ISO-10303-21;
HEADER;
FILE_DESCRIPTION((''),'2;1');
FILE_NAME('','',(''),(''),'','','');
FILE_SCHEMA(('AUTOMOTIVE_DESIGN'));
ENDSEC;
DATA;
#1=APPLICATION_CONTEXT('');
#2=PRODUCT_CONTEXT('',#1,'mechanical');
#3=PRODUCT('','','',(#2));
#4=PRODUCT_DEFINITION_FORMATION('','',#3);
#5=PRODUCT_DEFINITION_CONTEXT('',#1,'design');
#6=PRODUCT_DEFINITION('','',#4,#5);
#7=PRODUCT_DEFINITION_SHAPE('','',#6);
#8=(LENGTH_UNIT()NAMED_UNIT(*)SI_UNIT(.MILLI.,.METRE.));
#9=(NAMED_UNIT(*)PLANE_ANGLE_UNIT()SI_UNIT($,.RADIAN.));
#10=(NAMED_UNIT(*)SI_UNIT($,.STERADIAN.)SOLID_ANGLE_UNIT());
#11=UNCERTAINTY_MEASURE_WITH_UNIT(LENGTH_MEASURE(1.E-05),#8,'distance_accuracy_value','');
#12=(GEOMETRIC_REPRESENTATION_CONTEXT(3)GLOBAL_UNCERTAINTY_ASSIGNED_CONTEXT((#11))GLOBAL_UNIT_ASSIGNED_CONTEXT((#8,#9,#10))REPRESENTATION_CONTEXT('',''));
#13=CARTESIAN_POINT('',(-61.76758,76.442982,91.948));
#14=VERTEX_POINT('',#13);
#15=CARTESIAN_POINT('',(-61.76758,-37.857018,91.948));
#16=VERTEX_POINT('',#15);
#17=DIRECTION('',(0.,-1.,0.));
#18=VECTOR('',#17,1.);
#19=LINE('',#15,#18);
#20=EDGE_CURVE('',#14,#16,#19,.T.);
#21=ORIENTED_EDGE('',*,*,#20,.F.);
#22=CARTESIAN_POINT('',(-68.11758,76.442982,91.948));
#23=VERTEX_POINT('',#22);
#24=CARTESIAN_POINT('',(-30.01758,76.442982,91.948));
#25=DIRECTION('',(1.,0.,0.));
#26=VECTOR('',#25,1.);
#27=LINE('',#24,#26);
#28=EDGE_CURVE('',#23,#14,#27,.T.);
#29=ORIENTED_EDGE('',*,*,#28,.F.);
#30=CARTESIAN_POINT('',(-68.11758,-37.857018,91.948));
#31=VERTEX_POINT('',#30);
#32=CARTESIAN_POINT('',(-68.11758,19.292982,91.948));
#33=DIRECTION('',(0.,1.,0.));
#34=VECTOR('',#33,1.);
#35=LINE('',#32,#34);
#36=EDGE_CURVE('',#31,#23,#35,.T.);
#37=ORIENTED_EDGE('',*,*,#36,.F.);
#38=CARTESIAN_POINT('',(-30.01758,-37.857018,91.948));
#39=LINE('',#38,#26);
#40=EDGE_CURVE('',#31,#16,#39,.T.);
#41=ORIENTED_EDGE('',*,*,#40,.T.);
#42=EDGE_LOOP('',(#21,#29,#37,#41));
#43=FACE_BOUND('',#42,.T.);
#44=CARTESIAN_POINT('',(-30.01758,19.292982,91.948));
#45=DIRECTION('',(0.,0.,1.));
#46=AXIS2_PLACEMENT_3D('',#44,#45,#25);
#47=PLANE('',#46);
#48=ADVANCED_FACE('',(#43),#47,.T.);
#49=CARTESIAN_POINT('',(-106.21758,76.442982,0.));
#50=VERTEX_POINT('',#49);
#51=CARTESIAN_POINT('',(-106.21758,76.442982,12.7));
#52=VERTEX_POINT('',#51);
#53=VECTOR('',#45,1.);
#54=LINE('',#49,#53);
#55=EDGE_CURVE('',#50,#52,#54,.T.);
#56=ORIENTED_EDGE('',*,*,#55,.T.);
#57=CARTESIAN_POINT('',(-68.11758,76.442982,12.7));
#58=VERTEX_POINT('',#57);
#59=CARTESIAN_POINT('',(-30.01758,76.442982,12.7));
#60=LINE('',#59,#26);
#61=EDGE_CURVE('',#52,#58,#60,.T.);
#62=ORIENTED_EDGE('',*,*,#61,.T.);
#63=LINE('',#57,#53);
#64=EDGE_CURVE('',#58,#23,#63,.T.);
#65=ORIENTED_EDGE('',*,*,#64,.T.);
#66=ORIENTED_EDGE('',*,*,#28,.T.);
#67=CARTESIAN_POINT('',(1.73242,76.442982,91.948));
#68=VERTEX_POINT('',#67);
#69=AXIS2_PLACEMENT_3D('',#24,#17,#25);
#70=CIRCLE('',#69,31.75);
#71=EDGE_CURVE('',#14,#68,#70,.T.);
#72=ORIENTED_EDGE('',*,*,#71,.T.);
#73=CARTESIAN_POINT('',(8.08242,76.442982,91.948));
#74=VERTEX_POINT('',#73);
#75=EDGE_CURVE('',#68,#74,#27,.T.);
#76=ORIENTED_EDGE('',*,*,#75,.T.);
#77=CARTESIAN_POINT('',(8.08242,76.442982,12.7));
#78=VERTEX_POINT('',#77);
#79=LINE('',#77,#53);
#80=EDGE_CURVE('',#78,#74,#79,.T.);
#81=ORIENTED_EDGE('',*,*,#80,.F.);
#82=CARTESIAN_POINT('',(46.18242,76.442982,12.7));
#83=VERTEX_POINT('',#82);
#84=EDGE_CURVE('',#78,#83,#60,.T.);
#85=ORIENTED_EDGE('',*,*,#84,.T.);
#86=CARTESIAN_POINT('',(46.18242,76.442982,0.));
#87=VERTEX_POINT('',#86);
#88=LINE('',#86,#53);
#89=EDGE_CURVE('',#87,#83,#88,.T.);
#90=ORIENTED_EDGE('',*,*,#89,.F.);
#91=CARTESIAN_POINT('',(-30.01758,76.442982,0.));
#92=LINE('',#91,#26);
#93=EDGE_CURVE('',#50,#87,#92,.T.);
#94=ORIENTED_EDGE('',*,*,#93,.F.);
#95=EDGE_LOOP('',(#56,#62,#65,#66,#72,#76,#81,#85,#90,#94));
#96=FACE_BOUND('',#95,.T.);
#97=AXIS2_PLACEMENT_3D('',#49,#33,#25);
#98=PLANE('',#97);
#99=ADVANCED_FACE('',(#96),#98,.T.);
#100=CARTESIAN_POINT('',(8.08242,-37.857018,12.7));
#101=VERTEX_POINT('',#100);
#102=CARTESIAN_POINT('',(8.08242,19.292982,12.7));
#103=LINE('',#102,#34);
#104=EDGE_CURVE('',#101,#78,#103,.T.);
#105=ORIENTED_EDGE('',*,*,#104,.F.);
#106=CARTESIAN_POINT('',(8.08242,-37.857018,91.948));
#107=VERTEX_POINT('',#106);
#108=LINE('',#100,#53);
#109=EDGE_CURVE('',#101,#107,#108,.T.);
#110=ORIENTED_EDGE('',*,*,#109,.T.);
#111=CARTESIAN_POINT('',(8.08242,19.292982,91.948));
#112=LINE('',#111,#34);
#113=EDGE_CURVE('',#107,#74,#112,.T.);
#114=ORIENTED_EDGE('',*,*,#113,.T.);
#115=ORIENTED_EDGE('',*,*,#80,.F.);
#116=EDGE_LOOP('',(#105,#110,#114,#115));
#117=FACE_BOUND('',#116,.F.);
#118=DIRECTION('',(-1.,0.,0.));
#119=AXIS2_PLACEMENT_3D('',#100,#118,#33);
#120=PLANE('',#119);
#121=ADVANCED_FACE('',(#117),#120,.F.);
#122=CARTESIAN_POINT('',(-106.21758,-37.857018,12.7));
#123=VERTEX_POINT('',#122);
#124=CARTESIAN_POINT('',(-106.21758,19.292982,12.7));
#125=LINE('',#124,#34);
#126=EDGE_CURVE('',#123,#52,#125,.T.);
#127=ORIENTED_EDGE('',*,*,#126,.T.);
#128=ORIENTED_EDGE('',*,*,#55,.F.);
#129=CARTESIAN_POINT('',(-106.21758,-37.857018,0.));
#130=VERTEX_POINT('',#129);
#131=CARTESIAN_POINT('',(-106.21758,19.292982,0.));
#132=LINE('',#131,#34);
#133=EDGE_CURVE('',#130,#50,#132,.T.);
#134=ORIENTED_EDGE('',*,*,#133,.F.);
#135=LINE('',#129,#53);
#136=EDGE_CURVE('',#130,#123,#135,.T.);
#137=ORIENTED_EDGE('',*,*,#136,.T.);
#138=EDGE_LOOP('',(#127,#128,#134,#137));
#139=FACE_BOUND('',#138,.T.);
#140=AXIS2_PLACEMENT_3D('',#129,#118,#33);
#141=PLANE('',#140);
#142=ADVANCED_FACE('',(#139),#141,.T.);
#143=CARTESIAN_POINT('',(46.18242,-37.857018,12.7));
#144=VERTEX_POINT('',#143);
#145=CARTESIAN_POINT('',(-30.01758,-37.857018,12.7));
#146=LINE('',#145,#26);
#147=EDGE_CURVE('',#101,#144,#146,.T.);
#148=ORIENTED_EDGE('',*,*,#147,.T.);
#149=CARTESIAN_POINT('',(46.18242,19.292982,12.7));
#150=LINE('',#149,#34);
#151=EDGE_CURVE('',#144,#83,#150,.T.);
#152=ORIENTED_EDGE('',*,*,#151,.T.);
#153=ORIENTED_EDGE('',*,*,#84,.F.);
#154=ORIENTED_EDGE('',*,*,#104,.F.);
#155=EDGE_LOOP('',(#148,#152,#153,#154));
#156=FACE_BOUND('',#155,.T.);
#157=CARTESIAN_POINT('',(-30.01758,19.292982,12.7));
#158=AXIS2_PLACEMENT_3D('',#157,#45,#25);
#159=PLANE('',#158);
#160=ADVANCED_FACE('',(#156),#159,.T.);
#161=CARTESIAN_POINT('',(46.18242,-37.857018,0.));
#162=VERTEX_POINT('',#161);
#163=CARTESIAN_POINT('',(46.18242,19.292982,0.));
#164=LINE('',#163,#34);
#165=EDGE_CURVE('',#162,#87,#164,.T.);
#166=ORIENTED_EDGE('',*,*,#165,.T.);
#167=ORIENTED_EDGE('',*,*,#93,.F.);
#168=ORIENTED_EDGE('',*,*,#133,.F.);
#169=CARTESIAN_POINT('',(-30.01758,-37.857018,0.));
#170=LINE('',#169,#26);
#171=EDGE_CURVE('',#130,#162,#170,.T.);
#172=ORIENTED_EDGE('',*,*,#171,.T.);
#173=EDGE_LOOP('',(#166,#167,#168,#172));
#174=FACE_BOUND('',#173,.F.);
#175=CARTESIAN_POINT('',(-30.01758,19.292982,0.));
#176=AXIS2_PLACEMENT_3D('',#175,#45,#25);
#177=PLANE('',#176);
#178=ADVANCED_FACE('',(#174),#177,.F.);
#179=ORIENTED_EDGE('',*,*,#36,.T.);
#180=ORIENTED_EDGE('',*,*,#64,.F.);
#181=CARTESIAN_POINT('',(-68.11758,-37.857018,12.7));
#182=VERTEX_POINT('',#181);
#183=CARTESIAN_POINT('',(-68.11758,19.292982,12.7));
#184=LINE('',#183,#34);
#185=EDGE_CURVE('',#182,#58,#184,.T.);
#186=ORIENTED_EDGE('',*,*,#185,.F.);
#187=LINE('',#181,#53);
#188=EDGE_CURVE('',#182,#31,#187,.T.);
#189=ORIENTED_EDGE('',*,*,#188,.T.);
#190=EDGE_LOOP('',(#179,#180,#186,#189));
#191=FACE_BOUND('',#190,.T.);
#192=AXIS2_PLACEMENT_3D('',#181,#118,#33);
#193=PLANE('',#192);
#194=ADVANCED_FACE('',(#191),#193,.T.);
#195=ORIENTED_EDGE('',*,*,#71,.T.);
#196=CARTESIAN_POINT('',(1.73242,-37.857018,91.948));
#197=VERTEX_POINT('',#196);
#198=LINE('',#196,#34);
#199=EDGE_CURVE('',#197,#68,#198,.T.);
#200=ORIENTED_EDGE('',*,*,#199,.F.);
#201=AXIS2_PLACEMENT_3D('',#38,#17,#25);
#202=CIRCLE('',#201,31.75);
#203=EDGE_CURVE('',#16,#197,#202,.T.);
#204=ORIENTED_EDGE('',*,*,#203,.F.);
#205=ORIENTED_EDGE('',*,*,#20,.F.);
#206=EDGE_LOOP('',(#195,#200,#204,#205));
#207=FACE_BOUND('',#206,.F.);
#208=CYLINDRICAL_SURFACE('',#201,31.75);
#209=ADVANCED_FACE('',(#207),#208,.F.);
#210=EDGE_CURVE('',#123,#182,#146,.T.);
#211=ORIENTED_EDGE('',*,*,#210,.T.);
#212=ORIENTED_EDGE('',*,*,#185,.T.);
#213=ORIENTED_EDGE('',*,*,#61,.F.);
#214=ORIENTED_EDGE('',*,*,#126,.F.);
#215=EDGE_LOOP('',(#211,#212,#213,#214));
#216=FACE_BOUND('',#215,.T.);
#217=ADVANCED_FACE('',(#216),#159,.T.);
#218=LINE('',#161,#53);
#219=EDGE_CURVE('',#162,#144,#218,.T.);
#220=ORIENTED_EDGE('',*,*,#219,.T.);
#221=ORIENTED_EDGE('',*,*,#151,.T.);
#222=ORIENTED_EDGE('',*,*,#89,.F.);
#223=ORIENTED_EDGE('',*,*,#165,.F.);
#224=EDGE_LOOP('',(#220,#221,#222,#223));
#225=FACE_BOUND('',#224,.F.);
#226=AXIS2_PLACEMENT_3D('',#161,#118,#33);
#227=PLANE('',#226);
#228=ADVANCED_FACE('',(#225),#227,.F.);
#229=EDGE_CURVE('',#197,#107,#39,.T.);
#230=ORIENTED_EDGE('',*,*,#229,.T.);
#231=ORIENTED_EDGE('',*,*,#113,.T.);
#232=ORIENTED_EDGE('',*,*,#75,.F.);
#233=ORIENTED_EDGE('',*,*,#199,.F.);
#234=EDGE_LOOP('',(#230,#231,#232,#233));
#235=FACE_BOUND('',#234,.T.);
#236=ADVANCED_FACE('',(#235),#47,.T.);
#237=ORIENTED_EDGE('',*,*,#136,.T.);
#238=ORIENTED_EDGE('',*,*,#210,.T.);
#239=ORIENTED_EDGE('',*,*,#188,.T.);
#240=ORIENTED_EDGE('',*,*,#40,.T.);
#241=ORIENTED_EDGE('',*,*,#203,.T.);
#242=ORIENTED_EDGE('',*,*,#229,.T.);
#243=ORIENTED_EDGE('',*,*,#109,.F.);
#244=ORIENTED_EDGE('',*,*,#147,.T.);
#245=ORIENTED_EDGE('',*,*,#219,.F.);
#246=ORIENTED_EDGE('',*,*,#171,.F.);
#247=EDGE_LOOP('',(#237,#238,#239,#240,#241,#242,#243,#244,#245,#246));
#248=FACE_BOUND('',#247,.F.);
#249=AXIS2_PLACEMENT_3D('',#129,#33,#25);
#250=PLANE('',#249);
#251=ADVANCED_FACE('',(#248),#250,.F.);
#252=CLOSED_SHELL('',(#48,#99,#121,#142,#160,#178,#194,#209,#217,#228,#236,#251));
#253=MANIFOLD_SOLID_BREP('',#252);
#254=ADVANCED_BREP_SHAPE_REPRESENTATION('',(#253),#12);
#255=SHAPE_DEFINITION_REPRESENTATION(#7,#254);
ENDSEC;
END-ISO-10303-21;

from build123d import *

# Parameters (mm, degrees)
F0_W     = 152.4
F0_H     = 114.3
F1_DEPTH = 12.7
F2_W     = 76.2
F2_H     = 114.3
F3_DEPTH = 79.248
F4_R     = 31.75
F5_DEPTH = 114.301


with BuildPart() as f1:
    # F0 (on Top) → F1 (new body)
    with BuildSketch(Plane.XY):
        with Locations((-30.01758, 19.292982)):
            Rectangle(F0_W, F0_H)
    extrude(amount=F1_DEPTH)

    # F2 (on face) → F3 (join)
    with BuildSketch(Plane.XY.offset(12.7)):
        with Locations((-30.01758, 19.292982)):
            Rectangle(F2_W, F2_H)
    extrude(amount=F3_DEPTH)

    # F4 (on face) → F5 (cut, through all)
    with BuildSketch(Plane.XZ.offset(37.857018)):
        with Locations((-30.01758, 91.948)):
            Circle(F4_R)
    extrude(amount=-F5_DEPTH, mode=Mode.SUBTRACT)


solid = f1.part
